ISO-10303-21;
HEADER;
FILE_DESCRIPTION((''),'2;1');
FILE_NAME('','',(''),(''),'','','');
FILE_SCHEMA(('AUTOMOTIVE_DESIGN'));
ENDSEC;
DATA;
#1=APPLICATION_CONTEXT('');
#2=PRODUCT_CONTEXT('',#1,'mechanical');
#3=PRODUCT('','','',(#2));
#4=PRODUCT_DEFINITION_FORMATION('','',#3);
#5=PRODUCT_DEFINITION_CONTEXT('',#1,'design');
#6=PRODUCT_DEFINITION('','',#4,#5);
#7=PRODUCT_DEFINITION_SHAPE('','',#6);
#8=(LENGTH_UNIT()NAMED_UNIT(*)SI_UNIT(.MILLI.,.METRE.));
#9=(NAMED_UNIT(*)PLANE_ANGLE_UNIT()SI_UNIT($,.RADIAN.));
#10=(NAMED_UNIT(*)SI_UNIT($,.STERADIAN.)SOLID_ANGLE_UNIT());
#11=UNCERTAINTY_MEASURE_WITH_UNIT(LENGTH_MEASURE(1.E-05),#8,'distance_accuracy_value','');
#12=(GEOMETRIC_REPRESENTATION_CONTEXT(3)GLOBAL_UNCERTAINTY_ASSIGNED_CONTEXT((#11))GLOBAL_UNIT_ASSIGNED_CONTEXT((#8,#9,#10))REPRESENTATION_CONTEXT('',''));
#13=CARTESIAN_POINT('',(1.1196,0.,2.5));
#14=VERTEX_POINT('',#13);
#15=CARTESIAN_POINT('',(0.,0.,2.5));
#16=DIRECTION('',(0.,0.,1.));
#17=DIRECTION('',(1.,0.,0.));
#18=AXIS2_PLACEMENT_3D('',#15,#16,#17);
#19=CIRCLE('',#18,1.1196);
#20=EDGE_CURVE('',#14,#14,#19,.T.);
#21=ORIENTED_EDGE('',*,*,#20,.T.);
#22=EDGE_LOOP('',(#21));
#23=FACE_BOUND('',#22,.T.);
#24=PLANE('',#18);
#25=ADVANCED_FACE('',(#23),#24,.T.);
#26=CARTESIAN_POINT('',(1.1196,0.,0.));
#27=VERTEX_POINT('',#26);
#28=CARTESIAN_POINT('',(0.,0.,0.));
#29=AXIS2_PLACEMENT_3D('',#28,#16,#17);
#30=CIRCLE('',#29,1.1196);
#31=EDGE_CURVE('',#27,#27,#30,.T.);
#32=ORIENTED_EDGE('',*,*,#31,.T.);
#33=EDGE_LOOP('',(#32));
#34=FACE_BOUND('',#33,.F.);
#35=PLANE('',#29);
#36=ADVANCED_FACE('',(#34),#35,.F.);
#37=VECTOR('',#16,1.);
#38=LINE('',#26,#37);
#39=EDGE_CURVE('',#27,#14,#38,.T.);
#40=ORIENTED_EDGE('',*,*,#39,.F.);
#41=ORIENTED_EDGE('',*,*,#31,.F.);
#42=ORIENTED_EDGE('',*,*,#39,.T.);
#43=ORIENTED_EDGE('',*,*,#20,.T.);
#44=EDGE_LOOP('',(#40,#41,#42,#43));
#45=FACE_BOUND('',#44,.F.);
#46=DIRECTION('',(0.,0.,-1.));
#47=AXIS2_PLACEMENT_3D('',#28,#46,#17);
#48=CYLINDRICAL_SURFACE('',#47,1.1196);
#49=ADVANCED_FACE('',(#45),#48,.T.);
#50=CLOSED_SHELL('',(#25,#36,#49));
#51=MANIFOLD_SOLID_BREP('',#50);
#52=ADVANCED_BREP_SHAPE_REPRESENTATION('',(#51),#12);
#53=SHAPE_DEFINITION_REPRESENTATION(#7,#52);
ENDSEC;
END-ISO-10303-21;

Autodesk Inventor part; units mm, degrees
ref_plane "YZ Plane" through (0, 0, 0) normal (1, 0, 0) x (0, 1, 0)
ref_plane "XZ Plane" through (0, 0, 0) normal (0, 1, 0) x (-1, 0, 0)
ref_plane "XY Plane" through (0, 0, 0) normal (0, 0, 1) x (1, 0, 0)
sketch "Sketch1" plane through (0, 0, 0) normal (0, 0, 1) x (1, 0, 0)
  circle A0 centre (0, 0) radius 1.1196
  dimension "d0" = 2.5
extrude "Extrusion1" add sketch "Sketch1" along normal blind 2.5
properties part number "cos"
